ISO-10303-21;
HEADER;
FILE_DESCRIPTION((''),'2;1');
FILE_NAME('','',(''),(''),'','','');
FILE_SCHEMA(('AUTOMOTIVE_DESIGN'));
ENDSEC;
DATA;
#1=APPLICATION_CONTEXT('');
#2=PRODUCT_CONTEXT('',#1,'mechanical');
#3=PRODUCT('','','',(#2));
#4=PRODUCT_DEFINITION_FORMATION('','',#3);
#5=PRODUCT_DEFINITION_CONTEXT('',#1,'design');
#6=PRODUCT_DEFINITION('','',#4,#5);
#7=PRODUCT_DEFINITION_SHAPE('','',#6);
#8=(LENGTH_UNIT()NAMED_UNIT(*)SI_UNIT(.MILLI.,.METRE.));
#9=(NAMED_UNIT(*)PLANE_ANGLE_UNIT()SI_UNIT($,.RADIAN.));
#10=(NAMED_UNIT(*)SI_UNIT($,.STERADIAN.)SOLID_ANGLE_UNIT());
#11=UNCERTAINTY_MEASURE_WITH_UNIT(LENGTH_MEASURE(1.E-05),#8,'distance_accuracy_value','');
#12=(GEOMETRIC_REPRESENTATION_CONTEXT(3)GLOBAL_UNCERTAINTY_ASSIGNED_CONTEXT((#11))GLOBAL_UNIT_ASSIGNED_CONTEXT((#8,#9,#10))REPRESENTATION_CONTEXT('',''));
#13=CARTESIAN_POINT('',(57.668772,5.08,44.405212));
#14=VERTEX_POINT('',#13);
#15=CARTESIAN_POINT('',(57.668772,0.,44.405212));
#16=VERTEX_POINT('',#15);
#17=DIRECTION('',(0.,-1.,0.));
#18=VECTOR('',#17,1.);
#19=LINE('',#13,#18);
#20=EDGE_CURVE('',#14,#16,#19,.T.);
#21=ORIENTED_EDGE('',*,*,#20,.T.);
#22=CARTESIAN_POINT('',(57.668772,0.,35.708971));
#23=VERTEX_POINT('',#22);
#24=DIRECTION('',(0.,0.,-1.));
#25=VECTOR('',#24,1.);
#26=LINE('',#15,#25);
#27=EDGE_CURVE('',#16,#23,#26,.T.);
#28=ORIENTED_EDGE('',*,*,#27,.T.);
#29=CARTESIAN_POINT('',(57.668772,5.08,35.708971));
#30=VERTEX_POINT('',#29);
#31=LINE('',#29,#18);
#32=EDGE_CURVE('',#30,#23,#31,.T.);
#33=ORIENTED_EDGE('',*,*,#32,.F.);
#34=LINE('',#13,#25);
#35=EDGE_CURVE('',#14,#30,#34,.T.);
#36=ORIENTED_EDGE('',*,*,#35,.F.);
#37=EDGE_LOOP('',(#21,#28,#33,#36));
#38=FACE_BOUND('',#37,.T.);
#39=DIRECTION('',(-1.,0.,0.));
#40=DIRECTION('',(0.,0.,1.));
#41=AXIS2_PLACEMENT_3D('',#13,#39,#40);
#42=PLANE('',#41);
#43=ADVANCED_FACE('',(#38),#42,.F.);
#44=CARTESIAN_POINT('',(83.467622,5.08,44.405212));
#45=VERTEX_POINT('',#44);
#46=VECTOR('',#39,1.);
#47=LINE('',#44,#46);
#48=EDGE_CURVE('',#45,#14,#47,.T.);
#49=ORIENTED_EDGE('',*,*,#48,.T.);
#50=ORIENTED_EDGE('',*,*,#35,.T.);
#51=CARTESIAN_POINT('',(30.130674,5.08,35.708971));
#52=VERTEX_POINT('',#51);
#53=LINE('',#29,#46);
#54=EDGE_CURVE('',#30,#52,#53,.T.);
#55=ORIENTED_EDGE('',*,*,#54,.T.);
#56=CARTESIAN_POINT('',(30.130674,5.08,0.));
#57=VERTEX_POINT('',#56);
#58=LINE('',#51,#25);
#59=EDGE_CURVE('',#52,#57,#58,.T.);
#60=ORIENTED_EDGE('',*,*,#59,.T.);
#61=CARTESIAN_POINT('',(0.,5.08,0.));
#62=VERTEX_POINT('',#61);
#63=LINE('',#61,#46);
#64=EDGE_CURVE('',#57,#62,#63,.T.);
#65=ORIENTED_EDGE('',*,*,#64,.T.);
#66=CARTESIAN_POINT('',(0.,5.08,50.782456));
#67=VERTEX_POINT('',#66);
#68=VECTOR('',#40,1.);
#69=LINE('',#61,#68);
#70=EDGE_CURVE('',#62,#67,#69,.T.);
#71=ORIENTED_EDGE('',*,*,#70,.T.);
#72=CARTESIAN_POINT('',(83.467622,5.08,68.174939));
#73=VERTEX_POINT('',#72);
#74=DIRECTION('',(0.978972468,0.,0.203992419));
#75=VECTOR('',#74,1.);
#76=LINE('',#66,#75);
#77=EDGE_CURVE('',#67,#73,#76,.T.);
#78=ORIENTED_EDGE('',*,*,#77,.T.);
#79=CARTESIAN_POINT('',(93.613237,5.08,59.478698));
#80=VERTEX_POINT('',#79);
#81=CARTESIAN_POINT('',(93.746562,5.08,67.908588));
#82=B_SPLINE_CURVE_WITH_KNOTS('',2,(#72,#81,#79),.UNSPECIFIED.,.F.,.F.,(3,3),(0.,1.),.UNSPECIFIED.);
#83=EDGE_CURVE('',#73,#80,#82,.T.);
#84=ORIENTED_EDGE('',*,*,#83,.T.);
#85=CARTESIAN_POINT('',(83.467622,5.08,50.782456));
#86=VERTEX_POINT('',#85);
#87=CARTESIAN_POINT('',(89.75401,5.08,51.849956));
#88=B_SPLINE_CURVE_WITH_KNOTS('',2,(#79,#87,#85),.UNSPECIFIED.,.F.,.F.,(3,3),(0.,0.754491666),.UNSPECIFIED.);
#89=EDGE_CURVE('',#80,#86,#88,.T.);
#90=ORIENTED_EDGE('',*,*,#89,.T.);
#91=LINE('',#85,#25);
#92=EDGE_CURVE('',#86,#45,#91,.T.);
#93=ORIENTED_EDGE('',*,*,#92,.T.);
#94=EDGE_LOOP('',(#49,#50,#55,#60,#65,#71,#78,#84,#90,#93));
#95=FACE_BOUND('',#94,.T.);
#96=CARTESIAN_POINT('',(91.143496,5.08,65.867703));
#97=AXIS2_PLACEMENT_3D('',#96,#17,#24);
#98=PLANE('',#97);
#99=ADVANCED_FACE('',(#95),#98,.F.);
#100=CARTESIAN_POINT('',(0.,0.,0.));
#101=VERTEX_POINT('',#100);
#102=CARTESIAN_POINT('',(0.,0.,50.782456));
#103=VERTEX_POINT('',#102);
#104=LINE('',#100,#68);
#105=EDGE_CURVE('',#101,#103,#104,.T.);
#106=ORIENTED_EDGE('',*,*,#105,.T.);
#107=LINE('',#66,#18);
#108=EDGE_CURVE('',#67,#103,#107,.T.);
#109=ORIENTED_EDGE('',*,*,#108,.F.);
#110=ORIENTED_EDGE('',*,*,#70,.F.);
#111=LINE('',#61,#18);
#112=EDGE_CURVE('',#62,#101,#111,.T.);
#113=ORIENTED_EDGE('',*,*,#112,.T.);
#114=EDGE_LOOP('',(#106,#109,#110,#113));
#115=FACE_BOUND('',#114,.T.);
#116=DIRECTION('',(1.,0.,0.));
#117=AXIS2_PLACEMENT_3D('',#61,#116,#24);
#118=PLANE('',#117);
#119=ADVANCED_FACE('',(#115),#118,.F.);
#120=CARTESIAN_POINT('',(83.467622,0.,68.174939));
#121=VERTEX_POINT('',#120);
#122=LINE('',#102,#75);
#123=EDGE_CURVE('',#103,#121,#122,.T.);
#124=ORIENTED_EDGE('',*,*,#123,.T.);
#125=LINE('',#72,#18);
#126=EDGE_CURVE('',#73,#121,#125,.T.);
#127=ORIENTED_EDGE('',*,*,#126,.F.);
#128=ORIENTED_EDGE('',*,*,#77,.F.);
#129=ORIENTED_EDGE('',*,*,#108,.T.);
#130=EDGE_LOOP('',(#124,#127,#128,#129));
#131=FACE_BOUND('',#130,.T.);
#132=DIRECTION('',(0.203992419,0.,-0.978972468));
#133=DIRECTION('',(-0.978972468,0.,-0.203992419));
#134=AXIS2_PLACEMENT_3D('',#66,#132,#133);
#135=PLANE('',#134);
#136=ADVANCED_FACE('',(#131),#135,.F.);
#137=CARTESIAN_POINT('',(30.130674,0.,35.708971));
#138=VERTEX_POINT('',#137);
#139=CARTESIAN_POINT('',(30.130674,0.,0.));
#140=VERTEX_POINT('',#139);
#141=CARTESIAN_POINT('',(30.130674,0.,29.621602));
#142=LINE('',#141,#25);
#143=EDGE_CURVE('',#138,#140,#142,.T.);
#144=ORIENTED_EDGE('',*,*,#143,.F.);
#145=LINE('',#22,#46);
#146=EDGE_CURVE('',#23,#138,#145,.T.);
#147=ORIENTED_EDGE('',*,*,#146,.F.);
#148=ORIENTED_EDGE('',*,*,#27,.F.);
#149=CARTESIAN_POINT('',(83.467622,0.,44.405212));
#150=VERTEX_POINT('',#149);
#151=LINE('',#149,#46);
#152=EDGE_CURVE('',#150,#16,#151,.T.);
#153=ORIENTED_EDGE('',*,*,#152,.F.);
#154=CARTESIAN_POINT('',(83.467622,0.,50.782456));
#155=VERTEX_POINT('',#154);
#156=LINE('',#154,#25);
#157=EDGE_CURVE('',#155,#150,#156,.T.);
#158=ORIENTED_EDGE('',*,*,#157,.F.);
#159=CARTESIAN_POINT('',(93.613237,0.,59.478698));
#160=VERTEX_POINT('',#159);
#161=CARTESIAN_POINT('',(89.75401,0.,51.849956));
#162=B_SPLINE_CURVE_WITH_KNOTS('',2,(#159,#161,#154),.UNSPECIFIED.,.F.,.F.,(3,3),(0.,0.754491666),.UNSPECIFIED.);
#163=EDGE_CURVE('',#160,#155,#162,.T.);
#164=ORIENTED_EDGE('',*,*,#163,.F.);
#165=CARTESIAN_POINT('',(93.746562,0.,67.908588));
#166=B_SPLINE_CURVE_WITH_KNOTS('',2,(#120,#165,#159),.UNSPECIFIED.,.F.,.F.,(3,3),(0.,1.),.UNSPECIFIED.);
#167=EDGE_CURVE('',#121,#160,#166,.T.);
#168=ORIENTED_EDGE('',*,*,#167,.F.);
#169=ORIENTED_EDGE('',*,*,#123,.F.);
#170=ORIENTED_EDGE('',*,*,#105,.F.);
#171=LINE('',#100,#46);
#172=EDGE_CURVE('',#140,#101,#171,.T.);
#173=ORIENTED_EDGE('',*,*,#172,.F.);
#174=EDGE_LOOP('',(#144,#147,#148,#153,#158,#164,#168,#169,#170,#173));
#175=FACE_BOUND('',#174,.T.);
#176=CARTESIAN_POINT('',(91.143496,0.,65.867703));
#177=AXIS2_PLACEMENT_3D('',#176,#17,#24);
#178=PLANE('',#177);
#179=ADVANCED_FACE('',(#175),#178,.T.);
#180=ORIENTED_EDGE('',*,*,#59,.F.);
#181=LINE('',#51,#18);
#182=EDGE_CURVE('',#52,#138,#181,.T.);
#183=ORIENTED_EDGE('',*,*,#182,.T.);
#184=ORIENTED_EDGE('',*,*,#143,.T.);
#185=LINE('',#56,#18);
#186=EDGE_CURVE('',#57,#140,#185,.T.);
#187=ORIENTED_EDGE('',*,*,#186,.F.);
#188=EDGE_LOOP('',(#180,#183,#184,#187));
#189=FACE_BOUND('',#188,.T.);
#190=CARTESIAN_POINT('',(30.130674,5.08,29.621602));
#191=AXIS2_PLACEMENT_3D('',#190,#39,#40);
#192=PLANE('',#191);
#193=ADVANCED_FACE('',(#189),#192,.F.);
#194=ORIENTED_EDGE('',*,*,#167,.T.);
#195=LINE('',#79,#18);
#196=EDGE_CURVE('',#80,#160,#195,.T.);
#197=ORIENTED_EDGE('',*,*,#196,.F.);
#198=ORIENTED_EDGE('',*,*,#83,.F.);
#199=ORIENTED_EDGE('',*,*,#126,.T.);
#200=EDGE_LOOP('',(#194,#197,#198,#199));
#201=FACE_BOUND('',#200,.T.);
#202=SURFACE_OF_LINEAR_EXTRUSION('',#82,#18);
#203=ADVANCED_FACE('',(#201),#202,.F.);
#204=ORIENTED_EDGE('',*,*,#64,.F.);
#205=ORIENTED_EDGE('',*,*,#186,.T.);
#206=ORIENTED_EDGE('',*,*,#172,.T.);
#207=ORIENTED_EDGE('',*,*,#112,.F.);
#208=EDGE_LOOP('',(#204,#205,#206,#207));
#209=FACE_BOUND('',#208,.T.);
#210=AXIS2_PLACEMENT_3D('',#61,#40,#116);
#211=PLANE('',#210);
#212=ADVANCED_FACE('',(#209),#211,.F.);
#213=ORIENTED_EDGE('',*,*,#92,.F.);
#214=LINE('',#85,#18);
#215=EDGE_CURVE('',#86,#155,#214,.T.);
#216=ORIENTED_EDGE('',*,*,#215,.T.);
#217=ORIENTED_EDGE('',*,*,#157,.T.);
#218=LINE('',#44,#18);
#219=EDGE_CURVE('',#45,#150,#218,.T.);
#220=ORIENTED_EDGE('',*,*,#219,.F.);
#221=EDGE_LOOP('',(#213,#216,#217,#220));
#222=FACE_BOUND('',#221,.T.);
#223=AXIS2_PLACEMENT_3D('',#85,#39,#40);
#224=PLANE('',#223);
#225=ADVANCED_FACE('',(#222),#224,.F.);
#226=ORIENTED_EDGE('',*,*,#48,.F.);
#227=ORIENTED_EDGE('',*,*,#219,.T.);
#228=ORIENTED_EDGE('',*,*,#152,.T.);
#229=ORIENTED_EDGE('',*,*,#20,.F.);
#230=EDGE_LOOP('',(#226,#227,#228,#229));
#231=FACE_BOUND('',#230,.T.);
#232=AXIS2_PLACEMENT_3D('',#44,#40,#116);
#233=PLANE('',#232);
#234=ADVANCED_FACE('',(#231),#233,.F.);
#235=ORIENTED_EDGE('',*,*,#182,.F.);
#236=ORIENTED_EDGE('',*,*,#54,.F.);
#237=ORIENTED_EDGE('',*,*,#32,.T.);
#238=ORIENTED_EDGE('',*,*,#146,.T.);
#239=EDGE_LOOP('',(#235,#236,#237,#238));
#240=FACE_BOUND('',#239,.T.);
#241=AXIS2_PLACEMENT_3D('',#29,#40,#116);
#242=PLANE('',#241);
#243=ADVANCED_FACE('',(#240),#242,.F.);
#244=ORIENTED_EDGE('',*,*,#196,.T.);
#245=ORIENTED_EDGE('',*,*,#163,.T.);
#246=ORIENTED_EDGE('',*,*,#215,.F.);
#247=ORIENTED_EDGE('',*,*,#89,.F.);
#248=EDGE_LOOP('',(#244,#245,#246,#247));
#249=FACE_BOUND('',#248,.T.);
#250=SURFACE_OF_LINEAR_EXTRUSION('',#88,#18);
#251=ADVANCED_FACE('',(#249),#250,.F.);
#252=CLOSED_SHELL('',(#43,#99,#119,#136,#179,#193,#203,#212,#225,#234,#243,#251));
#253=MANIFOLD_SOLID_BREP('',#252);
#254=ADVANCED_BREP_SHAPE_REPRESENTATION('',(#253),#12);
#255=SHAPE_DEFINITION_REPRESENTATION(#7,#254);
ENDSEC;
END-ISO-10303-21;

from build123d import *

# Parameters (mm, degrees)
BOSS_EXTRUDE2_DEPTH = 5.08


with BuildPart() as part:
    # Sketch2 → Boss-Extrude2 (new body)
    with BuildSketch(Plane(origin=(0, 0, 0), x_dir=(1, 0, 0), z_dir=(0, 1, 0))):
        with BuildLine():
            Line((0, 0), (30.130673801, 0))
            Line((30.130673801, 0), (30.130673801, -29.621601631))
            Line((30.130673801, -29.621601631), (30.130673801, -35.708970709))
            Line((30.130673801, -35.708970709), (57.668772007, -35.708970709))
            Line((57.668772007, -35.708970709), (57.668772007, -44.405212247))
            Line((57.668772007, -44.405212247), (83.467621906, -44.405212247))
            Line((83.467621906, -44.405212247), (83.467621906, -50.782456043))
            add(Edge.make_bspline(
                [(93.613237035, -59.478697582), (89.75401012, -51.849955928), (83.467621906, -50.782456043)],
                knots=[0, 0, 0, 0.754491666, 0.754491666, 0.754491666], degree=2))
            add(Edge.make_bspline(
                [(83.467621906, -68.17493912), (93.746562006, -67.908588045), (93.613237035, -59.478697582)],
                knots=[0, 0, 0, 1, 1, 1], degree=2))
            Line((83.467621906, -68.17493912), (0, -50.782456043))
            Line((0, -50.782456043), (0, 0))
        make_face()
    extrude(amount=BOSS_EXTRUDE2_DEPTH)


solid = part.part
